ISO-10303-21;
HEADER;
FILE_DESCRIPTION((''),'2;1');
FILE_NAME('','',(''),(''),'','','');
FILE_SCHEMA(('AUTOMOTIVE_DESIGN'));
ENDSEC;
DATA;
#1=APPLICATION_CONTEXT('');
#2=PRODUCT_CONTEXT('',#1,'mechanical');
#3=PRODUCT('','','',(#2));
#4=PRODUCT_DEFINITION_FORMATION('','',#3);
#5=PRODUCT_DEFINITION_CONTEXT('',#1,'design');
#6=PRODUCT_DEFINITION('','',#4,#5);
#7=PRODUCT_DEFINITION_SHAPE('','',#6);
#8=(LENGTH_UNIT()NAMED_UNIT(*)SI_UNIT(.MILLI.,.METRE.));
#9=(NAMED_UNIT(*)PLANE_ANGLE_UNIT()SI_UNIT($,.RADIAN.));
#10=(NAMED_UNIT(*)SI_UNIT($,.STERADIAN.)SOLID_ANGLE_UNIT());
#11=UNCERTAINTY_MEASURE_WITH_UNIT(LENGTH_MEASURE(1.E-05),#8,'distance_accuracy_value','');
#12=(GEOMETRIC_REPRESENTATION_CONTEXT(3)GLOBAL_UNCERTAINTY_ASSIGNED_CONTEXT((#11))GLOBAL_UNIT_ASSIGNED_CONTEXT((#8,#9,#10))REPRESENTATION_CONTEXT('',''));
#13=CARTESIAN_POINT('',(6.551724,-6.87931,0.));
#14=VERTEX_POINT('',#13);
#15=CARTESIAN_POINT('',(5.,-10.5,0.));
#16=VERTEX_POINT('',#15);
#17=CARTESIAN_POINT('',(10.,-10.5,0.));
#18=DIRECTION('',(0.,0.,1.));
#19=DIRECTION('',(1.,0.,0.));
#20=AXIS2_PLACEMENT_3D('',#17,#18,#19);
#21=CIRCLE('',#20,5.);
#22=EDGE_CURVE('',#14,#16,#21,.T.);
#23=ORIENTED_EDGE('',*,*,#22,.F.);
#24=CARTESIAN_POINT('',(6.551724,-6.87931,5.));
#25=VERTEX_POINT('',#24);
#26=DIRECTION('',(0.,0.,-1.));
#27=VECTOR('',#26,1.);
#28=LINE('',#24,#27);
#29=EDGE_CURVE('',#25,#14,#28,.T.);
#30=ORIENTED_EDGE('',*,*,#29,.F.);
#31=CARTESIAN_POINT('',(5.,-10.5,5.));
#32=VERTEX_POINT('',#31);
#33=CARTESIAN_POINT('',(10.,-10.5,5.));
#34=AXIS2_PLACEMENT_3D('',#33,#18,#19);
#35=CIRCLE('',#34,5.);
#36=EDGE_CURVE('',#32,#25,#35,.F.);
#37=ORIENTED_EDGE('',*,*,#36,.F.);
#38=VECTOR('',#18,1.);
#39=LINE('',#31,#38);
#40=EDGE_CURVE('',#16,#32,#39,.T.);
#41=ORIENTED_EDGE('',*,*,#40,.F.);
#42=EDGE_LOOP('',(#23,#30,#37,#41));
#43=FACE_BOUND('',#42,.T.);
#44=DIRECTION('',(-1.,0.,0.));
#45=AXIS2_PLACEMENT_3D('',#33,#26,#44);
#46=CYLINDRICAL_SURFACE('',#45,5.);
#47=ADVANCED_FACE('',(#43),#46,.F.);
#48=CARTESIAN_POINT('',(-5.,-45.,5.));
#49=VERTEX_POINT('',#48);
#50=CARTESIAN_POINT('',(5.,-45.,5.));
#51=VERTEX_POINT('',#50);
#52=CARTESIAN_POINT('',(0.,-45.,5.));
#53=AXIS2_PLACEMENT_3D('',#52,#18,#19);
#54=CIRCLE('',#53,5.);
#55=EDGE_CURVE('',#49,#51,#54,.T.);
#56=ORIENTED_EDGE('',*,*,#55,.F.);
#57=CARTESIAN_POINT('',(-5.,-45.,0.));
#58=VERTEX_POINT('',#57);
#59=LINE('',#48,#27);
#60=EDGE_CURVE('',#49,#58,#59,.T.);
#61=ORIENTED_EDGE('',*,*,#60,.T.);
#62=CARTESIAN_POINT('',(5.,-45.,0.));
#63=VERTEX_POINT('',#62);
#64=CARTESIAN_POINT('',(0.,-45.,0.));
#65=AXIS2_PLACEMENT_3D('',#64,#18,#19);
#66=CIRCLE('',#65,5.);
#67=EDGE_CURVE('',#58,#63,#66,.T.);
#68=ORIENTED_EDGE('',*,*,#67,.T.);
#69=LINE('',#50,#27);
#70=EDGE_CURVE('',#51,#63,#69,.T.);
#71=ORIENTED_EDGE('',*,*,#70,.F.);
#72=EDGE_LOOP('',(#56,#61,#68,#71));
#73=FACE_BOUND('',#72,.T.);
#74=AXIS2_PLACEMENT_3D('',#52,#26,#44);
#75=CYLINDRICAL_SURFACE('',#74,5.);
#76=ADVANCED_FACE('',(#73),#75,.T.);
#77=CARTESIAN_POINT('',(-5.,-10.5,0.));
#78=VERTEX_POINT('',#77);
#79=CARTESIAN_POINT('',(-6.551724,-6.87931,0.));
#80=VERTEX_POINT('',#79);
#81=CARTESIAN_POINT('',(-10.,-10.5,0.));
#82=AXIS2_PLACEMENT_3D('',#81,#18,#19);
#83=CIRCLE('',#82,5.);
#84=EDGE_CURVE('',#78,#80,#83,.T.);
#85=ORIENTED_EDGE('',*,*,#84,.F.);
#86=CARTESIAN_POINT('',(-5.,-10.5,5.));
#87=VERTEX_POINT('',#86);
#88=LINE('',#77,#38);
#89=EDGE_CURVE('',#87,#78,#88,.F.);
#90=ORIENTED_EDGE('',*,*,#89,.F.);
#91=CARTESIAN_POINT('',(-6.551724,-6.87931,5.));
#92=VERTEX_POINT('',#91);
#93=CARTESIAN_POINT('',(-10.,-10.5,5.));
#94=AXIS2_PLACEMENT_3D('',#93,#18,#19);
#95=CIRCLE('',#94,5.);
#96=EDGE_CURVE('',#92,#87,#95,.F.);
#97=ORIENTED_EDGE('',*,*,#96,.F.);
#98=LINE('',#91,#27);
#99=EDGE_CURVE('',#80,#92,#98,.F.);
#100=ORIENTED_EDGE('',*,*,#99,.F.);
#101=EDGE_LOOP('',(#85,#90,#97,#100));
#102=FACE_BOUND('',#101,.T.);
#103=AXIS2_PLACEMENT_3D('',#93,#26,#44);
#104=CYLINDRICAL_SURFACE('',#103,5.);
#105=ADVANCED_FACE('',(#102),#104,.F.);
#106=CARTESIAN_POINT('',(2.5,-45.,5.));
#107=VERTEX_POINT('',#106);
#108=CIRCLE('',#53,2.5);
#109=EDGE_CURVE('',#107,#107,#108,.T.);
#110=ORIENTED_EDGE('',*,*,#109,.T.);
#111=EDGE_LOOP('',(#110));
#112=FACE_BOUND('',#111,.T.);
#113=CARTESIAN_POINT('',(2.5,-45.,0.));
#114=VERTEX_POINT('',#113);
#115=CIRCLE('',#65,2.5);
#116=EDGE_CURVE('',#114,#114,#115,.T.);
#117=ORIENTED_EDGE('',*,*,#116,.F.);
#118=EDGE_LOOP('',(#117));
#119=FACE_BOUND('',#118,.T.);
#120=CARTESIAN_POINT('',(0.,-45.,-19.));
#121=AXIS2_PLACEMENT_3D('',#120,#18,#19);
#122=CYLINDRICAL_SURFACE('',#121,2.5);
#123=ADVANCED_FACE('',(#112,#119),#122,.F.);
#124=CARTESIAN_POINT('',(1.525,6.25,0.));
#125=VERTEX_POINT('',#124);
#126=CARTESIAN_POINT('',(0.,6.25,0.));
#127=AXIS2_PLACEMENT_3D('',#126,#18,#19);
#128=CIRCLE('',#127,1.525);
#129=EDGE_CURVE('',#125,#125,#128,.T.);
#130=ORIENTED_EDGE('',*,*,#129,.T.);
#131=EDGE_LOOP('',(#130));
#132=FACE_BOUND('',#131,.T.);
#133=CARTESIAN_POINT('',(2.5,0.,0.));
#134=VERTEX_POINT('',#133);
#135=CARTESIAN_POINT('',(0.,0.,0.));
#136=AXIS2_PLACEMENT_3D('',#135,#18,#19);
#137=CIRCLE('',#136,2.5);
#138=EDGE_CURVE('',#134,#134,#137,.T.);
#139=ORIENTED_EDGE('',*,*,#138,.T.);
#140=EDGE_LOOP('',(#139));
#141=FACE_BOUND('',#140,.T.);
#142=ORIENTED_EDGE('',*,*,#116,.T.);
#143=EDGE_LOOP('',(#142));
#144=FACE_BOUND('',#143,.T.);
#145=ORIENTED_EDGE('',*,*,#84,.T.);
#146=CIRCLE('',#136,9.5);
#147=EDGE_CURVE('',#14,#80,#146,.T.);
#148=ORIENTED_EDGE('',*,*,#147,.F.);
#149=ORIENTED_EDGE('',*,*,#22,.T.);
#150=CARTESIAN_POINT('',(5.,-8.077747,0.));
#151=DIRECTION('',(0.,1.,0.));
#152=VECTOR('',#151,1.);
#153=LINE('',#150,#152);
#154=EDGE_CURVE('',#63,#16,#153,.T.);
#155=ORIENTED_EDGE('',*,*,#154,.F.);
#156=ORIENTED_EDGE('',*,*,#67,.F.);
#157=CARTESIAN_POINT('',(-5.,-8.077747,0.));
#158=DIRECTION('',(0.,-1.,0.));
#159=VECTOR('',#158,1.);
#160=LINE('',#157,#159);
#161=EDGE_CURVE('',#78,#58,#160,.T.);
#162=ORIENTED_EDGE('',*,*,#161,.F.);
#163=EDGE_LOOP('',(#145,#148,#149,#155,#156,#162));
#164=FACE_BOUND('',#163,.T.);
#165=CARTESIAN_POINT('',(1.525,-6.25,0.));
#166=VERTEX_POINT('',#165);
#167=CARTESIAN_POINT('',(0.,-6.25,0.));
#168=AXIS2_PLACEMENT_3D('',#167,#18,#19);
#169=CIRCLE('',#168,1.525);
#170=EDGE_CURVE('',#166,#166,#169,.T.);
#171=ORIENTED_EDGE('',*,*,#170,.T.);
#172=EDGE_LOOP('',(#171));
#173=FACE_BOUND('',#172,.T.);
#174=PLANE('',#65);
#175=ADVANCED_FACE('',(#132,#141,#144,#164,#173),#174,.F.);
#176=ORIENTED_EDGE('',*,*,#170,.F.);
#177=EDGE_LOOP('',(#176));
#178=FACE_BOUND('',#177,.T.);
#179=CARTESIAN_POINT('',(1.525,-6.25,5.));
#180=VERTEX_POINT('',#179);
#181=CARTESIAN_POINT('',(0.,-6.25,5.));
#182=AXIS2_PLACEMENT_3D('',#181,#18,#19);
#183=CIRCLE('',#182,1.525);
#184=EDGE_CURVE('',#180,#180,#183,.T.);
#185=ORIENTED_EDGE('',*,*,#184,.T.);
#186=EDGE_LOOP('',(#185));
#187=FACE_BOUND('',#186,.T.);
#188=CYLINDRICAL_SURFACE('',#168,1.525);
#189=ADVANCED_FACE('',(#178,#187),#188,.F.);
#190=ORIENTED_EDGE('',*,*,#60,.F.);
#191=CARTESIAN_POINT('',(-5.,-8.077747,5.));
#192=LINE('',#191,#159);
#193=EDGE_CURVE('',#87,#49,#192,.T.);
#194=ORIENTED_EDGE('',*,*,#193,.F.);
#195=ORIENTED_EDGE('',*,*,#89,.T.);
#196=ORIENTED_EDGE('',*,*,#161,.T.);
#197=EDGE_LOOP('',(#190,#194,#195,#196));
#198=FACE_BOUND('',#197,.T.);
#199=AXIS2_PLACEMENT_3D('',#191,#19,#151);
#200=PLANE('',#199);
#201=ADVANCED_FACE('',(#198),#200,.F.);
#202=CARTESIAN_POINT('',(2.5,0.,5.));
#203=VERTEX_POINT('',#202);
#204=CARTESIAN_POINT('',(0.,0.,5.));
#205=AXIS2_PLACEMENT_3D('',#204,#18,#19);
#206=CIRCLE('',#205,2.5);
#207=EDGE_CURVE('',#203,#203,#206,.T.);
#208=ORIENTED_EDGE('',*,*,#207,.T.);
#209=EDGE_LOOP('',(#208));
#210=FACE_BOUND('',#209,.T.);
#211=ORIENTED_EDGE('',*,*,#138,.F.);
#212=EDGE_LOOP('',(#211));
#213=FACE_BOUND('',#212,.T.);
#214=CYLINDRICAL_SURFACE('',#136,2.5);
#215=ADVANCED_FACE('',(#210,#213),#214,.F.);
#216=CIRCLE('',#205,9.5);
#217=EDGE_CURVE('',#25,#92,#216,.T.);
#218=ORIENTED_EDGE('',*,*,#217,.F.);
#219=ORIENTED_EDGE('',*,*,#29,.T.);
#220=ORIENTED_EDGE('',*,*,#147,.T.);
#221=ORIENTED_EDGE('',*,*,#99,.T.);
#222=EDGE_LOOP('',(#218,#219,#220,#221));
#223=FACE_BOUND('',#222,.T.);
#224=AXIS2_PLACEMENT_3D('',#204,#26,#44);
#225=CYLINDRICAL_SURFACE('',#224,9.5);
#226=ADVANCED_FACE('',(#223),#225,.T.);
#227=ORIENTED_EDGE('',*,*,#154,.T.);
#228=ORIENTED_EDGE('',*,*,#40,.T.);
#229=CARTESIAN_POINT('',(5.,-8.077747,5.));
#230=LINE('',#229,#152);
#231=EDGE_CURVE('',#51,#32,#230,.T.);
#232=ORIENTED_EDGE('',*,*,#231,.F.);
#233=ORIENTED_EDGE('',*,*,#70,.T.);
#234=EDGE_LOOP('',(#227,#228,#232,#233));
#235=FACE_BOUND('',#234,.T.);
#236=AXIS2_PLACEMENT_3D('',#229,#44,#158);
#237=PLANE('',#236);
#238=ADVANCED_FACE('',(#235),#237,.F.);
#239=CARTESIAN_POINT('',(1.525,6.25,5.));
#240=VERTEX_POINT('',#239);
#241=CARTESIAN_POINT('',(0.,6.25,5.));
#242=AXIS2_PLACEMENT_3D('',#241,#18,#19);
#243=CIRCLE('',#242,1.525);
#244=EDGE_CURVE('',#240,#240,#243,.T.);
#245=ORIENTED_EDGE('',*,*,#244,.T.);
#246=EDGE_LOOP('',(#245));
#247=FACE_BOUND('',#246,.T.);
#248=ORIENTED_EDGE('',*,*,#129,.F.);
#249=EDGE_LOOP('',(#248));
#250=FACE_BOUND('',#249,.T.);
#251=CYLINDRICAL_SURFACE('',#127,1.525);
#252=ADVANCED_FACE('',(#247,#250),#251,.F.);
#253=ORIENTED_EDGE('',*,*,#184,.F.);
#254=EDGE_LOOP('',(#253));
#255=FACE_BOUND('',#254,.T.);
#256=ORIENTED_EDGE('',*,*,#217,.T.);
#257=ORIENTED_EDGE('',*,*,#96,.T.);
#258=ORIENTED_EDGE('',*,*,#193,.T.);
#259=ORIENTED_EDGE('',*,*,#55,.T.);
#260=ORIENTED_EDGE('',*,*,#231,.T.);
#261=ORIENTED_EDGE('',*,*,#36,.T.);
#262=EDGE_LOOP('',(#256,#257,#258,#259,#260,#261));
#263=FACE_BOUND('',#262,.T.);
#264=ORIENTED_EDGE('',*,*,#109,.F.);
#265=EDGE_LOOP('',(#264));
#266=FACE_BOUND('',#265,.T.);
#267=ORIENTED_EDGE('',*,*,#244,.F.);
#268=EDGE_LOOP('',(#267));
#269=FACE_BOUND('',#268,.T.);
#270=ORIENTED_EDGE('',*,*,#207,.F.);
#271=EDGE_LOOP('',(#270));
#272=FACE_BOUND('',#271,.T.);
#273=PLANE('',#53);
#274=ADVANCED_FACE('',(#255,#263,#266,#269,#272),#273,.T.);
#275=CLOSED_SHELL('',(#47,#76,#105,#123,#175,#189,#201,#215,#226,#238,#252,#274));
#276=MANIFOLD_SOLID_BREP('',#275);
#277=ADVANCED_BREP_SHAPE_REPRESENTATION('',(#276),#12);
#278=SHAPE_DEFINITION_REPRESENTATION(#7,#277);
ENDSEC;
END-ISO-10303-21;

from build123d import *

# Parameters (mm, degrees)
EXTRUDE_1_DEPTH     = 5
SKETCH_3_R          = 2.5
CUT_EXTRUDE_1_DEPTH = 24
SKETCH_4_R          = 1.525
CUT_EXTRUDE_2_DEPTH = 5
SKETCH_5_R          = 2.5
CUT_EXTRUDE_3_DEPTH = 5
FILLET_1_R          = 5


with BuildPart() as part:
    # 草图1 → 凸台-拉伸1 (new body)
    with BuildSketch(Plane.XY):
        with BuildLine():
            Line((5, -8.077747211), (5, -45))
            ThreePointArc((5, -45), (0, -50), (-5, -45))
            Line((-5, -45), (-5, -8.077747211))
            ThreePointArc((-5, -8.077747211), (0, 9.5), (5, -8.077747211))
        make_face()
    extrude(amount=EXTRUDE_1_DEPTH)

    # 草图3 → 切除-拉伸1 (cut)
    with BuildSketch(Plane.XY.offset(5)):
        with Locations((0, -45)):
            Circle(SKETCH_3_R)
    extrude(amount=-CUT_EXTRUDE_1_DEPTH, mode=Mode.SUBTRACT)

    # 草图4 → 切除-拉伸2 (cut)
    with BuildSketch(Plane.XY.offset(5)):
        with Locations((0, 6.25)):
            Circle(SKETCH_4_R)
        with Locations((0, -6.25)):
            Circle(SKETCH_4_R)
    extrude(amount=-CUT_EXTRUDE_2_DEPTH, mode=Mode.SUBTRACT)

    # 草图5 → 切除-拉伸3 (cut)
    with BuildSketch(Plane.XY.offset(5)):
        Circle(SKETCH_5_R)
    extrude(amount=-CUT_EXTRUDE_3_DEPTH, mode=Mode.SUBTRACT)

    # 圆角1
    fillet_1_edges = [part.edges().sort_by_distance(p)[0] for p in [
        (-5, -8.077747211, 2.5),
        (5, -8.077747211, 2.5),
    ]]
    fillet(fillet_1_edges, radius=FILLET_1_R)


solid = part.part
